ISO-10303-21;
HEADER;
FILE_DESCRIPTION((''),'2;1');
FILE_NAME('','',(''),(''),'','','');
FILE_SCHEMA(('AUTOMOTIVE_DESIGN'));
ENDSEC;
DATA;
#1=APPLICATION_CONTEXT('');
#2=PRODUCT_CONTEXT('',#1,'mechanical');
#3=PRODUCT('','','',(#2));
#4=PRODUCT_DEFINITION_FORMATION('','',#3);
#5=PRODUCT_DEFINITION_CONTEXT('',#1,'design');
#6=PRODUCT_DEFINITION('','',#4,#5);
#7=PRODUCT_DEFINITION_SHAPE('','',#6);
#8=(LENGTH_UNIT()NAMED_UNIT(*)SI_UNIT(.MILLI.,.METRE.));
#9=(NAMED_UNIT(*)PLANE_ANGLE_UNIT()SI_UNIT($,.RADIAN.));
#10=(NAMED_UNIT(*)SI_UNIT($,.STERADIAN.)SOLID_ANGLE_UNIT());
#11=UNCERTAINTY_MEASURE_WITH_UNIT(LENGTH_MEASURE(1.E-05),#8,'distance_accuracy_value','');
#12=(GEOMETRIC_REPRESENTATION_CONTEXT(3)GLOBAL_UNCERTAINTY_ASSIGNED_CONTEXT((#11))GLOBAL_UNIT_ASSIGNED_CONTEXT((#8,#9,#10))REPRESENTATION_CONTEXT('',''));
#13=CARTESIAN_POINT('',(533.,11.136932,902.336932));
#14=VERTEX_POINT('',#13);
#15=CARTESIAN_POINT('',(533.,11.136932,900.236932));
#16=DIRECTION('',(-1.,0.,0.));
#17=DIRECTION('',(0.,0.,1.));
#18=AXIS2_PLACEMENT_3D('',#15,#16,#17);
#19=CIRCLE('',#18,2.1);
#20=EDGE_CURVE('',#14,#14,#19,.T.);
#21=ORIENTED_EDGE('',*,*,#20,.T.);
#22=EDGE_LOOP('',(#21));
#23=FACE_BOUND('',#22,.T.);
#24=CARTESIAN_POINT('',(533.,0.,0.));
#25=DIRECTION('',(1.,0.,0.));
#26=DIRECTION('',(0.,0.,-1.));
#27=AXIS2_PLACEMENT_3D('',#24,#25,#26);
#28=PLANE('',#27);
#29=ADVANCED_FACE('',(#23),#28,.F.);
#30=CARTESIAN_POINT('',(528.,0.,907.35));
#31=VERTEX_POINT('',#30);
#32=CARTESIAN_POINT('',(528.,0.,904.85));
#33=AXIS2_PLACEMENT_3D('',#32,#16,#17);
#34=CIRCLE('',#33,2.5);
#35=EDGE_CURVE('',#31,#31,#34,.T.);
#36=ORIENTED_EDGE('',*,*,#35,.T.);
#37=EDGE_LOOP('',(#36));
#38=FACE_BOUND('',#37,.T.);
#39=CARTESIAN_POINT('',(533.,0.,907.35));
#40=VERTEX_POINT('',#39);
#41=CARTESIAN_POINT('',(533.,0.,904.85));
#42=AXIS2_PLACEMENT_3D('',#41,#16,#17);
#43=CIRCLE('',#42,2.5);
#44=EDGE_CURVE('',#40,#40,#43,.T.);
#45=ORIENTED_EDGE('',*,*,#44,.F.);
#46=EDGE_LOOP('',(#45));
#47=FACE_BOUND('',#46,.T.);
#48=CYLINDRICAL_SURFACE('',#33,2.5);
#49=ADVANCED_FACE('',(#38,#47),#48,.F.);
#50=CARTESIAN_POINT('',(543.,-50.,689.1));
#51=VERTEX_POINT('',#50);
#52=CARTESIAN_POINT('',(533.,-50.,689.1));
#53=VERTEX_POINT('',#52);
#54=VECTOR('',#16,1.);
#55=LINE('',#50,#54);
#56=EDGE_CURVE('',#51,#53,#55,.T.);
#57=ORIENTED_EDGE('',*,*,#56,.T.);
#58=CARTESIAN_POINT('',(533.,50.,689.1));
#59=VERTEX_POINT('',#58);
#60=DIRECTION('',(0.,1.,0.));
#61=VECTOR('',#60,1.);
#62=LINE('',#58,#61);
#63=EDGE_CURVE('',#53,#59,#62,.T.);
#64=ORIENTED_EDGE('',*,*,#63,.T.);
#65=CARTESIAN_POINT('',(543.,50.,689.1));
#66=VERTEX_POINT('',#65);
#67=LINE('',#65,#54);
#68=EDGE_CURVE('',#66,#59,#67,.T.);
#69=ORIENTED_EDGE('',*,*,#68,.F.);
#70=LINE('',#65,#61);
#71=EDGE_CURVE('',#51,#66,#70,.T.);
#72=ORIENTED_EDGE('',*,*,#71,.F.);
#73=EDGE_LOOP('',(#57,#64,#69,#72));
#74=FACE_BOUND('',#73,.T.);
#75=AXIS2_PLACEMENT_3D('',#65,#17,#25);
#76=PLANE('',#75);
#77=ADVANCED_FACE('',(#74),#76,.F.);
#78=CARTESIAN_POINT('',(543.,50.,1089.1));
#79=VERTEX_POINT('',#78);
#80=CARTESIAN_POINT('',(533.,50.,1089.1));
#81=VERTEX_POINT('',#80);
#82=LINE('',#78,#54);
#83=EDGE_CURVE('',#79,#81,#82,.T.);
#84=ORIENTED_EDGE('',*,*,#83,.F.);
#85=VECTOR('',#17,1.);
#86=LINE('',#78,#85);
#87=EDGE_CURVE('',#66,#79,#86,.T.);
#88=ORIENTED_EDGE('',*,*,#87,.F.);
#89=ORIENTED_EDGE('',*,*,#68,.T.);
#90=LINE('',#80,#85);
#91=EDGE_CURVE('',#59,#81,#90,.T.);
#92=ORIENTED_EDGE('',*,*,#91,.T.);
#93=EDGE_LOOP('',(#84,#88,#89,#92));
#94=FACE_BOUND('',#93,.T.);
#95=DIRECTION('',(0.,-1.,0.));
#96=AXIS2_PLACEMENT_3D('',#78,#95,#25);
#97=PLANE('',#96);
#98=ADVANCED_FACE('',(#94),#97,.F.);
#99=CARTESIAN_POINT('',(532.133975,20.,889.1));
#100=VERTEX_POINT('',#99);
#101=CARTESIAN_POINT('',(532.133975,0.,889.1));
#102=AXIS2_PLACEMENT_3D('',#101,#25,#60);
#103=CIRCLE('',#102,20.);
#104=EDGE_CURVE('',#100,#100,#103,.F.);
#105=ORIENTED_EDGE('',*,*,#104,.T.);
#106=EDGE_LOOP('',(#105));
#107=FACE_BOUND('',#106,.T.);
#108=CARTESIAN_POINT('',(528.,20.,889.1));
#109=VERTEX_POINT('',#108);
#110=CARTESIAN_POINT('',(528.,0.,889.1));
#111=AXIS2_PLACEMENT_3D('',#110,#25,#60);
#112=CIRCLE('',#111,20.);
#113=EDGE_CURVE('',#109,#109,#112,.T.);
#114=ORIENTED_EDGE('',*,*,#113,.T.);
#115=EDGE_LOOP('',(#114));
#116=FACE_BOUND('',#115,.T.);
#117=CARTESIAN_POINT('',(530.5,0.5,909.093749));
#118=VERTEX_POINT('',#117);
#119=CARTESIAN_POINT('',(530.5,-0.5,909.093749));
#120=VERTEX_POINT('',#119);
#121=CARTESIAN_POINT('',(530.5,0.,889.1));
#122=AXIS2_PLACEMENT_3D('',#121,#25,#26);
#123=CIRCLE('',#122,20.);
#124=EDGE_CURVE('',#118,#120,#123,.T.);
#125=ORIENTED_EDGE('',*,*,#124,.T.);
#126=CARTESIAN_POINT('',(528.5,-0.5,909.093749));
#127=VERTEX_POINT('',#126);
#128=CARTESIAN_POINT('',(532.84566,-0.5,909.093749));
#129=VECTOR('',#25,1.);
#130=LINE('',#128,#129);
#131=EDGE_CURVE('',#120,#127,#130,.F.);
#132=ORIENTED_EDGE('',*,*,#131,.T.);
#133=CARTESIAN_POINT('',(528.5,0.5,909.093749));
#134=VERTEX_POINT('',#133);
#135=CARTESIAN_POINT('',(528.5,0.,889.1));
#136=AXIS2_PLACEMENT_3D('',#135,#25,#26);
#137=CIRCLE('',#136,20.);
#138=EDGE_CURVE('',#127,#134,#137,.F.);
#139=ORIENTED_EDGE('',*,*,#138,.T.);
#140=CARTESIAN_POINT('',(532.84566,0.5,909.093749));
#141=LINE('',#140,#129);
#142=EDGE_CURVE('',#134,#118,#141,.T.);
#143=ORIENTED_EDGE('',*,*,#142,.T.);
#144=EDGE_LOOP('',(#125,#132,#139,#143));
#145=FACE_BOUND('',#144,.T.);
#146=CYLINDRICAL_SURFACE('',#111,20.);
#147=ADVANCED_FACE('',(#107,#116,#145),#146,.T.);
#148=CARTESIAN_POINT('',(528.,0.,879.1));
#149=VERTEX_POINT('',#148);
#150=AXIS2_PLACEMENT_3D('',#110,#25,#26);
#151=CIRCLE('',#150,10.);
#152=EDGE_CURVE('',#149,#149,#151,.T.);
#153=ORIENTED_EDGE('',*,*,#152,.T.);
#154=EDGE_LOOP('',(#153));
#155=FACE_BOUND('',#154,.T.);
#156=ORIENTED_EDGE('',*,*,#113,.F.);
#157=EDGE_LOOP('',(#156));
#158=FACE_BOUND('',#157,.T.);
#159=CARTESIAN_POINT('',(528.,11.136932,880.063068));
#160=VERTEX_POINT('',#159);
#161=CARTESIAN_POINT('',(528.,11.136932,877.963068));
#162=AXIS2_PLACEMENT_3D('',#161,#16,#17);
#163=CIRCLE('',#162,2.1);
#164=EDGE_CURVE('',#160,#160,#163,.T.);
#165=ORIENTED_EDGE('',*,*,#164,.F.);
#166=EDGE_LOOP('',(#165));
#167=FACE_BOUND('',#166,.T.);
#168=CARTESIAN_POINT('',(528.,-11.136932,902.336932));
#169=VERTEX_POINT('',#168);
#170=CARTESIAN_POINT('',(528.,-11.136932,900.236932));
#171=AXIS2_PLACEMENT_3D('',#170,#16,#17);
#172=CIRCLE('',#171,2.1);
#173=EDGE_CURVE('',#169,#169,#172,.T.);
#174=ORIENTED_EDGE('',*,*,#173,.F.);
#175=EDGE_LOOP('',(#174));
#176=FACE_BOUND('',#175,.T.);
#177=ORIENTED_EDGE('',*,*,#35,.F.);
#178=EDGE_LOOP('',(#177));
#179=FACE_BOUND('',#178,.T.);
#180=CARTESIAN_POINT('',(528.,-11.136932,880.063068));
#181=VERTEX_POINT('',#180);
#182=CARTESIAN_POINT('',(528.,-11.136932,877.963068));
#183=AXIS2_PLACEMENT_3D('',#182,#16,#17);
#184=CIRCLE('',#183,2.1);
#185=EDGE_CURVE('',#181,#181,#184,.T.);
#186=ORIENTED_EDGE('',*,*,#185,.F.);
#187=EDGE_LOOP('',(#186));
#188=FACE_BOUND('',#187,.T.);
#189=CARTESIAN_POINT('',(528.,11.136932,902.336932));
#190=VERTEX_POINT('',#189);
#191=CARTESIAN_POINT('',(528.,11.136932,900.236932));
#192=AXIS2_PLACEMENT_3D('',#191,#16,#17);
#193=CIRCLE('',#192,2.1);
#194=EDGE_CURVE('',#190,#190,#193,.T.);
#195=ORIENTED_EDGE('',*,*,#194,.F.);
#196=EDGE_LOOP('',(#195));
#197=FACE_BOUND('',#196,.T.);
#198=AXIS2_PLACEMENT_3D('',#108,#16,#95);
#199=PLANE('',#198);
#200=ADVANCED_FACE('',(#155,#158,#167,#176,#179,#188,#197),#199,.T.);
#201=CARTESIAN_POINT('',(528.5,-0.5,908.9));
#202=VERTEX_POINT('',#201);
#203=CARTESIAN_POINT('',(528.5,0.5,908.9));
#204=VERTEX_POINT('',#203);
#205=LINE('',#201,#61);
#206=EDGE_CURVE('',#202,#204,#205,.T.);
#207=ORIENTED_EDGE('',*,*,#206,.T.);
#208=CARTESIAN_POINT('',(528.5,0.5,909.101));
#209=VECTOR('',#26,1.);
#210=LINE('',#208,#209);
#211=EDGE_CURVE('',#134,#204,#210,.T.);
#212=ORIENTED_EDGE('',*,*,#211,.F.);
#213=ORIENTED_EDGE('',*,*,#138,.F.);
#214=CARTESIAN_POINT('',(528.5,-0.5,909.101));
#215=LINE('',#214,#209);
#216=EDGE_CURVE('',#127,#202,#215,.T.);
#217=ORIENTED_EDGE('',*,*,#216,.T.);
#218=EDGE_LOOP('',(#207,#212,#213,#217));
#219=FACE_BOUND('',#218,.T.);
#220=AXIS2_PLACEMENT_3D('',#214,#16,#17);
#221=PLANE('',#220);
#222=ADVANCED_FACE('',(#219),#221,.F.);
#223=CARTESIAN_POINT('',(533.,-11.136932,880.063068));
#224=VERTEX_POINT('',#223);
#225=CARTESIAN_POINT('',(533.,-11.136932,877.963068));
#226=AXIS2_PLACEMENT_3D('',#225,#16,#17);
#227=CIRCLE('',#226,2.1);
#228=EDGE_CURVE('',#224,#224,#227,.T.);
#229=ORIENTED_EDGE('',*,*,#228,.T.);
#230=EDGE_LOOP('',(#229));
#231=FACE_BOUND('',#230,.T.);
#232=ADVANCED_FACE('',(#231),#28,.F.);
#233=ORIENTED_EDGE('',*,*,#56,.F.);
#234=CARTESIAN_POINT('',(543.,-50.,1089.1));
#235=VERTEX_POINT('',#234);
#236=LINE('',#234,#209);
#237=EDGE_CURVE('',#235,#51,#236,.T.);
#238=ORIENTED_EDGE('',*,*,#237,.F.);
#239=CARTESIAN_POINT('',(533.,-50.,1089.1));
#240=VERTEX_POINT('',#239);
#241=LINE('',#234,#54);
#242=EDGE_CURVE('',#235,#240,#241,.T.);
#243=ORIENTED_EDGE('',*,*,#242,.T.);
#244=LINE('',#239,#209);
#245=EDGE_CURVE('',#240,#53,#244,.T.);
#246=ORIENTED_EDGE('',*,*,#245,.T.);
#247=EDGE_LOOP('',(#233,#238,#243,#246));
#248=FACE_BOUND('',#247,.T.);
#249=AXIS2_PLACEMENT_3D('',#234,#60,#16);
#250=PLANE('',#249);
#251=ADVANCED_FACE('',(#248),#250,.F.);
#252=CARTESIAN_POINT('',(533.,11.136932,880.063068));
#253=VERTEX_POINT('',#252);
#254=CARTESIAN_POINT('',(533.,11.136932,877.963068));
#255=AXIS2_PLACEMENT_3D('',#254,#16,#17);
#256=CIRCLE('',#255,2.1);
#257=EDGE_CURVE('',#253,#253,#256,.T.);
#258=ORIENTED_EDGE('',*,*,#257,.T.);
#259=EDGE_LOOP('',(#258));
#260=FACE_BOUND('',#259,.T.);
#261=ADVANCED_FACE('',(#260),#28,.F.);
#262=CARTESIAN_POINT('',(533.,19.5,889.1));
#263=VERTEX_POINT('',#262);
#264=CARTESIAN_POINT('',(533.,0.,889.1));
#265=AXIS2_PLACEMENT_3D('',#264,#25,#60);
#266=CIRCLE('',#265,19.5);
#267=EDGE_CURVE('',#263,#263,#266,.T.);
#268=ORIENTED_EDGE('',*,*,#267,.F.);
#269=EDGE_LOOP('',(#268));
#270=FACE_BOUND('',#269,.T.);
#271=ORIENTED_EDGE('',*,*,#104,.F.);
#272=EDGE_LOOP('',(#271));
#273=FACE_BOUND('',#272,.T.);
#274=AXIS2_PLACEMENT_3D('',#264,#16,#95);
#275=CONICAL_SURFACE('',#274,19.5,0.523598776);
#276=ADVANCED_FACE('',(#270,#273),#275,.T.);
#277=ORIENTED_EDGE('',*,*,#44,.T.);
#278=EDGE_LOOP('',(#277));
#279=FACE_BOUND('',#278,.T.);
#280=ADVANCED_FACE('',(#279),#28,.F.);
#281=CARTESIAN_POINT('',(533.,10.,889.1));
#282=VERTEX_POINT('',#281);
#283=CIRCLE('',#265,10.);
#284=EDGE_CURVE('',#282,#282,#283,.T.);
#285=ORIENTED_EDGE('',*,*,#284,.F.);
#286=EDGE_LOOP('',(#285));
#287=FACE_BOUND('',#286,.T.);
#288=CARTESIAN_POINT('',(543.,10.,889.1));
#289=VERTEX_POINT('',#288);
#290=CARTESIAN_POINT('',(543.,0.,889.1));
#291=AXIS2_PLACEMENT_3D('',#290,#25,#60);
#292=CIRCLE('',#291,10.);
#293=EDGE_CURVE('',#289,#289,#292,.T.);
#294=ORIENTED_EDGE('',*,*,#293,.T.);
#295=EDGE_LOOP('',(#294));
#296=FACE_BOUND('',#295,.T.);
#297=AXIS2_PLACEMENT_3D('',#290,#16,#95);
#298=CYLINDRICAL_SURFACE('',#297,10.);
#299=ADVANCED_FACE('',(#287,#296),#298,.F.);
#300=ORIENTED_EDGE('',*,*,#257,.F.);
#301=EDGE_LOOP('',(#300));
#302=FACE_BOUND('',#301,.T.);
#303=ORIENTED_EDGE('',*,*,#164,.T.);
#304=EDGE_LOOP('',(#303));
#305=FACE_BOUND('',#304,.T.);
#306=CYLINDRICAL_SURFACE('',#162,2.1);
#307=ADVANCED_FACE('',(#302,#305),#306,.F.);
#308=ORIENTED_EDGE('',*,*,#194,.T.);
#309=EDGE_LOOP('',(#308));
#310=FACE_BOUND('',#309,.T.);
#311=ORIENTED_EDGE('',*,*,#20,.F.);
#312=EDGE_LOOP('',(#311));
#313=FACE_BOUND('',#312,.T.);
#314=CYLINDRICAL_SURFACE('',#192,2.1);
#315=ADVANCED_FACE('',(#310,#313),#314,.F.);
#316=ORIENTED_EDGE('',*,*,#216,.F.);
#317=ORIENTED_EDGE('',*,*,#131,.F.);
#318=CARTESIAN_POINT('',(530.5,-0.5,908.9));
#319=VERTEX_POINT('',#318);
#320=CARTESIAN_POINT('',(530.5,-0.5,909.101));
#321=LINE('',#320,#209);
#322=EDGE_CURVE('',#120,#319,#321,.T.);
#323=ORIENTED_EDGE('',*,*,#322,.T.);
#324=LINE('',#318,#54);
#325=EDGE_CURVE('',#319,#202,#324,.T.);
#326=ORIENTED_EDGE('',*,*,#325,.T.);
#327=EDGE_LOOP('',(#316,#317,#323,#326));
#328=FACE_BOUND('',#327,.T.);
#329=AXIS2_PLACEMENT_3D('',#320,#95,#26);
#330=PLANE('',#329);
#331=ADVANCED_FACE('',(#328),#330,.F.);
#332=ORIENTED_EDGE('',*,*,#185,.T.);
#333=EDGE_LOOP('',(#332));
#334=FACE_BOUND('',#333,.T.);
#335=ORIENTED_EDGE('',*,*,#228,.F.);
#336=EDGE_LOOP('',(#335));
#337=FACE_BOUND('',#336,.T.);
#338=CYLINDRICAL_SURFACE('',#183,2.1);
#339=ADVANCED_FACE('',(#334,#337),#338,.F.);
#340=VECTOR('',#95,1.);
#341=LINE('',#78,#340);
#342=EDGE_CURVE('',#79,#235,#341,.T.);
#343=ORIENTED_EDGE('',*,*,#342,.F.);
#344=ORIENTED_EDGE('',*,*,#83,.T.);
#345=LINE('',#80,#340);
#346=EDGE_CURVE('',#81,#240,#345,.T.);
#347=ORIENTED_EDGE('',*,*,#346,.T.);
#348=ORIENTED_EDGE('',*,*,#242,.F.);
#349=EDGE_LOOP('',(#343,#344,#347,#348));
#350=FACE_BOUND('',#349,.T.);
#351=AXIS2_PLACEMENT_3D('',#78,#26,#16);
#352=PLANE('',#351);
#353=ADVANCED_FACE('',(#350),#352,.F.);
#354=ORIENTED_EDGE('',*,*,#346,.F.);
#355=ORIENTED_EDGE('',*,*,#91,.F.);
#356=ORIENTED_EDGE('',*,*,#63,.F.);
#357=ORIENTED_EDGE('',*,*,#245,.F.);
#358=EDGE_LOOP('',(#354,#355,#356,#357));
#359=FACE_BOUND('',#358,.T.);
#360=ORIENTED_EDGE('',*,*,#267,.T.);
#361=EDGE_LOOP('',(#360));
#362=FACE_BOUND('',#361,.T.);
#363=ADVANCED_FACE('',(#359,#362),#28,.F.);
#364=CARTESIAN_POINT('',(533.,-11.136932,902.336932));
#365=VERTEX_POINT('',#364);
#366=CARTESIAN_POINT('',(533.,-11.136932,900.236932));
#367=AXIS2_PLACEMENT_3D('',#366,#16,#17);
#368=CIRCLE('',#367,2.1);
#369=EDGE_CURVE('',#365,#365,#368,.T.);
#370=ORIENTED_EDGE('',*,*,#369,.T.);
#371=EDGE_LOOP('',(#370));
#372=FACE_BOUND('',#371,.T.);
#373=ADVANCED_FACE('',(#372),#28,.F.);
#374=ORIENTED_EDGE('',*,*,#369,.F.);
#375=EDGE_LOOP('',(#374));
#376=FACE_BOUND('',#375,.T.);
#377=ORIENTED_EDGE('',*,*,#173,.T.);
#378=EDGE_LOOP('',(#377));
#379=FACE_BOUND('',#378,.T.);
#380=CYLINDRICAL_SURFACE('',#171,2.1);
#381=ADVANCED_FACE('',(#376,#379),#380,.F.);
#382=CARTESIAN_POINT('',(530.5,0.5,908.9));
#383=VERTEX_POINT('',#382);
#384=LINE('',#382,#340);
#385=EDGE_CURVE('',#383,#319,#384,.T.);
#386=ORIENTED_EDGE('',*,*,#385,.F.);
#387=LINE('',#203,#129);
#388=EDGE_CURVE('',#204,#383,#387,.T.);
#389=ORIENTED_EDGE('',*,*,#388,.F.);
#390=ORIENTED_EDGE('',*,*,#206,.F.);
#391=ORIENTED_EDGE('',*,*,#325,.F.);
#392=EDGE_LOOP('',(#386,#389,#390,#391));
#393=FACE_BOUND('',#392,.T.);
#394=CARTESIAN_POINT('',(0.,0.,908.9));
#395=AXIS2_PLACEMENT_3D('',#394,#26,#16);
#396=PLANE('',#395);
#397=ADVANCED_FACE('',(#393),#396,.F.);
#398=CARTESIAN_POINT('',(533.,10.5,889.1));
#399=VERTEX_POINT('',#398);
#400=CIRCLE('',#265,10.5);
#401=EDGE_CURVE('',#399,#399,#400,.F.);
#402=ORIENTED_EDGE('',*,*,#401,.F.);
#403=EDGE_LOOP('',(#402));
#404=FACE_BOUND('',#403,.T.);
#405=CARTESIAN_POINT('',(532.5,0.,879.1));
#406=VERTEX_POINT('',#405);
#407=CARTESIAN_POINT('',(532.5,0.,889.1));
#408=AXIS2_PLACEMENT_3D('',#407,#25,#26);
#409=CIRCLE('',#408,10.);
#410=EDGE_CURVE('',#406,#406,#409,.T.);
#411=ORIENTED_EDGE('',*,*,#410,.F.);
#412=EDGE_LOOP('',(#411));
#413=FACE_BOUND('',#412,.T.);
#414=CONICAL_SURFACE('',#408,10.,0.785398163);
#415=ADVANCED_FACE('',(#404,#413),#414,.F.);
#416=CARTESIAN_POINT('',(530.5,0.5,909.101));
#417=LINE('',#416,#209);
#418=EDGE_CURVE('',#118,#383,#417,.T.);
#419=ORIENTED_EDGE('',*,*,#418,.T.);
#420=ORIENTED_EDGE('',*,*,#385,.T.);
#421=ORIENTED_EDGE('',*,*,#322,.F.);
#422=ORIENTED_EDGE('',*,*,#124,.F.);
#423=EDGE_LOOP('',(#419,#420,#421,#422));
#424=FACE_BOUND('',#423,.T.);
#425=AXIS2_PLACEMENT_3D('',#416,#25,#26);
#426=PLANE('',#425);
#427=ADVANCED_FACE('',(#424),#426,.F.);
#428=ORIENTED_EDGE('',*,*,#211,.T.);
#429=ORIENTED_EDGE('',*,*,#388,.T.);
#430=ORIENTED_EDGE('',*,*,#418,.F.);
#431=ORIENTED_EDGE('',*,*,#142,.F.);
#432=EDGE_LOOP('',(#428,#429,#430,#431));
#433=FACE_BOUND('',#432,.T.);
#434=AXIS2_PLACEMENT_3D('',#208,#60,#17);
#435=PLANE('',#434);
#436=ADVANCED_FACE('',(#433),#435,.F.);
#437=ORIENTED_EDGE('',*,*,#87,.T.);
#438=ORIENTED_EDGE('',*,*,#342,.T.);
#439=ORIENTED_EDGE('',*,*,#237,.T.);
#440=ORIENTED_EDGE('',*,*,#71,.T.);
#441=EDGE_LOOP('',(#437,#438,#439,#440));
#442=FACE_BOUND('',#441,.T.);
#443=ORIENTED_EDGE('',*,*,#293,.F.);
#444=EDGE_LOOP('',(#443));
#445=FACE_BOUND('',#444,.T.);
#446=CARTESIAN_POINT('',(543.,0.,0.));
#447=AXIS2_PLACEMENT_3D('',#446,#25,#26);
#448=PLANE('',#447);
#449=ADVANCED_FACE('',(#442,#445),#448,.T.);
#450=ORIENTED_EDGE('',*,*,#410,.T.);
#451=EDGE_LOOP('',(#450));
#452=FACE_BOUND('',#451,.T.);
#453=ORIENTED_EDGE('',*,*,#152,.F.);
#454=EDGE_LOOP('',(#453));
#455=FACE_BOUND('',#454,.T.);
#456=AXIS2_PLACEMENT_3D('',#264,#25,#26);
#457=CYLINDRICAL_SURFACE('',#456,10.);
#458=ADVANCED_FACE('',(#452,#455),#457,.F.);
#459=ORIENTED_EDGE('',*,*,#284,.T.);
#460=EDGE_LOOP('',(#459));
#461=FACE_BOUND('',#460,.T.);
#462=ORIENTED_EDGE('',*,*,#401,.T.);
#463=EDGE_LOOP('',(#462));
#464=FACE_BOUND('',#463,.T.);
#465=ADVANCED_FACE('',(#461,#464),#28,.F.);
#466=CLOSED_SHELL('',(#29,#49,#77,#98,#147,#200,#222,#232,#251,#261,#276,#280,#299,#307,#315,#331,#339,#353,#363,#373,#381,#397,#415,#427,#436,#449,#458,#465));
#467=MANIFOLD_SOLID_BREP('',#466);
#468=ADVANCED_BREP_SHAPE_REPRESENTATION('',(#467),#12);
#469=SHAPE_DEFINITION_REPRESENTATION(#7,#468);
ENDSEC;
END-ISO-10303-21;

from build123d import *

# Parameters (mm, degrees)
SKETCH1_W                      = 5
SKETCH1_H                      = 20
CUT_EXTRUDE1_REACH             = 2.2
SKETCH2_W                      = 2
SKETCH2_H                      = 1
F_20_0_20_DIAMETER_HOLE1_D     = 20
F_20_0_20_DIAMETER_HOLE1_DEPTH = 5
F_5_0_5_DIAMETER_HOLE1_D       = 5
F_5_0_5_DIAMETER_HOLE1_DEPTH   = 5
F_4_2_4_2_DIAMETER_HOLE1_D     = 4.2
F_4_2_4_2_DIAMETER_HOLE1_DEPTH = 5
CHAMFER1_SIZE                  = 0.5
CHAMFER1_SIZE2                 = 0.866025404
CHAMFER2_SIZE                  = 0.5
SKETCH9_W                      = 400
SKETCH9_H                      = 100
SKETCH9_R                      = 10
BOSS_EXTRUDE1_DEPTH            = 10


with BuildPart() as part:
    # Sketch1 → Revolve1 (revolve)
    with BuildSketch(Plane.XY.offset(889.1)):
        with Locations((530.5, 10)):
            Rectangle(SKETCH1_W, SKETCH1_H)
    revolve(axis=Axis((528, 0, 889.1), (1, 0, 0)))

    # Sketch2 → Cut-Extrude1 (cut, up to next)
    with BuildSketch(Plane(origin=(0, 0, 908.9), x_dir=(-1, 0, 0), z_dir=(0, 0, -1)), mode=Mode.PRIVATE) as cut_extrude1_sk1:
        with Locations((-529.5, 0)):
            Rectangle(SKETCH2_W, SKETCH2_H)
    cut_extrude1_tool1 = extrude(cut_extrude1_sk1.sketch, amount=-CUT_EXTRUDE1_REACH, mode=Mode.PRIVATE) & part.part
    add(cut_extrude1_tool1.solids().sort_by_distance((529.5, 0, 908.9))[0], mode=Mode.SUBTRACT)

    # Ø20.0 (20) Diameter Hole1
    with Locations(Plane(origin=(533, 0, 0), x_dir=(0, 0, -1), z_dir=(1, 0, 0))):
        with Locations((-889.1, 0)):
            Hole(F_20_0_20_DIAMETER_HOLE1_D / 2, depth=F_20_0_20_DIAMETER_HOLE1_DEPTH)

    # Ø5.0 (5) Diameter Hole1
    with Locations(Plane.ZY.offset(-528)):
        with Locations((904.85, 0)):
            Hole(F_5_0_5_DIAMETER_HOLE1_D / 2, depth=F_5_0_5_DIAMETER_HOLE1_DEPTH)

    # Ø4.2 (4.2) Diameter Hole1
    with Locations(Plane.ZY.offset(-528)):
        with Locations((900.236931804, 11.136931804), (877.963068196, -11.136931804), (877.963068196, 11.136931804), (900.236931804, -11.136931804)):
            Hole(F_4_2_4_2_DIAMETER_HOLE1_D / 2, depth=F_4_2_4_2_DIAMETER_HOLE1_DEPTH)

    # Chamfer1
    chamfer1_edges = [part.edges().sort_by_distance(p)[0] for p in [
        (533, -20, 889.1),
    ]]
    chamfer1_side = [part.faces().sort_by_distance(p)[0] for p in [
        (533, -19.434314575, 889.1),
    ]]
    chamfer(chamfer1_edges, length=CHAMFER1_SIZE, length2=CHAMFER1_SIZE2, reference=chamfer1_side[0])

    # Chamfer2
    chamfer2_edges = [part.edges().sort_by_distance(p)[0] for p in [
        (533, 0, 879.1),
    ]]
    chamfer(chamfer2_edges, length=CHAMFER2_SIZE)

    # Sketch9 → Boss-Extrude1 (add)
    with BuildSketch(Plane(origin=(533, 0, 0), x_dir=(0, 0, -1), z_dir=(1, 0, 0))):
        with Locations((-889.1, 0)):
            Rectangle(SKETCH9_W, SKETCH9_H)
        with Locations((-889.1, 0)):
            Circle(SKETCH9_R, mode=Mode.SUBTRACT)
    extrude(amount=BOSS_EXTRUDE1_DEPTH)


solid = part.part
